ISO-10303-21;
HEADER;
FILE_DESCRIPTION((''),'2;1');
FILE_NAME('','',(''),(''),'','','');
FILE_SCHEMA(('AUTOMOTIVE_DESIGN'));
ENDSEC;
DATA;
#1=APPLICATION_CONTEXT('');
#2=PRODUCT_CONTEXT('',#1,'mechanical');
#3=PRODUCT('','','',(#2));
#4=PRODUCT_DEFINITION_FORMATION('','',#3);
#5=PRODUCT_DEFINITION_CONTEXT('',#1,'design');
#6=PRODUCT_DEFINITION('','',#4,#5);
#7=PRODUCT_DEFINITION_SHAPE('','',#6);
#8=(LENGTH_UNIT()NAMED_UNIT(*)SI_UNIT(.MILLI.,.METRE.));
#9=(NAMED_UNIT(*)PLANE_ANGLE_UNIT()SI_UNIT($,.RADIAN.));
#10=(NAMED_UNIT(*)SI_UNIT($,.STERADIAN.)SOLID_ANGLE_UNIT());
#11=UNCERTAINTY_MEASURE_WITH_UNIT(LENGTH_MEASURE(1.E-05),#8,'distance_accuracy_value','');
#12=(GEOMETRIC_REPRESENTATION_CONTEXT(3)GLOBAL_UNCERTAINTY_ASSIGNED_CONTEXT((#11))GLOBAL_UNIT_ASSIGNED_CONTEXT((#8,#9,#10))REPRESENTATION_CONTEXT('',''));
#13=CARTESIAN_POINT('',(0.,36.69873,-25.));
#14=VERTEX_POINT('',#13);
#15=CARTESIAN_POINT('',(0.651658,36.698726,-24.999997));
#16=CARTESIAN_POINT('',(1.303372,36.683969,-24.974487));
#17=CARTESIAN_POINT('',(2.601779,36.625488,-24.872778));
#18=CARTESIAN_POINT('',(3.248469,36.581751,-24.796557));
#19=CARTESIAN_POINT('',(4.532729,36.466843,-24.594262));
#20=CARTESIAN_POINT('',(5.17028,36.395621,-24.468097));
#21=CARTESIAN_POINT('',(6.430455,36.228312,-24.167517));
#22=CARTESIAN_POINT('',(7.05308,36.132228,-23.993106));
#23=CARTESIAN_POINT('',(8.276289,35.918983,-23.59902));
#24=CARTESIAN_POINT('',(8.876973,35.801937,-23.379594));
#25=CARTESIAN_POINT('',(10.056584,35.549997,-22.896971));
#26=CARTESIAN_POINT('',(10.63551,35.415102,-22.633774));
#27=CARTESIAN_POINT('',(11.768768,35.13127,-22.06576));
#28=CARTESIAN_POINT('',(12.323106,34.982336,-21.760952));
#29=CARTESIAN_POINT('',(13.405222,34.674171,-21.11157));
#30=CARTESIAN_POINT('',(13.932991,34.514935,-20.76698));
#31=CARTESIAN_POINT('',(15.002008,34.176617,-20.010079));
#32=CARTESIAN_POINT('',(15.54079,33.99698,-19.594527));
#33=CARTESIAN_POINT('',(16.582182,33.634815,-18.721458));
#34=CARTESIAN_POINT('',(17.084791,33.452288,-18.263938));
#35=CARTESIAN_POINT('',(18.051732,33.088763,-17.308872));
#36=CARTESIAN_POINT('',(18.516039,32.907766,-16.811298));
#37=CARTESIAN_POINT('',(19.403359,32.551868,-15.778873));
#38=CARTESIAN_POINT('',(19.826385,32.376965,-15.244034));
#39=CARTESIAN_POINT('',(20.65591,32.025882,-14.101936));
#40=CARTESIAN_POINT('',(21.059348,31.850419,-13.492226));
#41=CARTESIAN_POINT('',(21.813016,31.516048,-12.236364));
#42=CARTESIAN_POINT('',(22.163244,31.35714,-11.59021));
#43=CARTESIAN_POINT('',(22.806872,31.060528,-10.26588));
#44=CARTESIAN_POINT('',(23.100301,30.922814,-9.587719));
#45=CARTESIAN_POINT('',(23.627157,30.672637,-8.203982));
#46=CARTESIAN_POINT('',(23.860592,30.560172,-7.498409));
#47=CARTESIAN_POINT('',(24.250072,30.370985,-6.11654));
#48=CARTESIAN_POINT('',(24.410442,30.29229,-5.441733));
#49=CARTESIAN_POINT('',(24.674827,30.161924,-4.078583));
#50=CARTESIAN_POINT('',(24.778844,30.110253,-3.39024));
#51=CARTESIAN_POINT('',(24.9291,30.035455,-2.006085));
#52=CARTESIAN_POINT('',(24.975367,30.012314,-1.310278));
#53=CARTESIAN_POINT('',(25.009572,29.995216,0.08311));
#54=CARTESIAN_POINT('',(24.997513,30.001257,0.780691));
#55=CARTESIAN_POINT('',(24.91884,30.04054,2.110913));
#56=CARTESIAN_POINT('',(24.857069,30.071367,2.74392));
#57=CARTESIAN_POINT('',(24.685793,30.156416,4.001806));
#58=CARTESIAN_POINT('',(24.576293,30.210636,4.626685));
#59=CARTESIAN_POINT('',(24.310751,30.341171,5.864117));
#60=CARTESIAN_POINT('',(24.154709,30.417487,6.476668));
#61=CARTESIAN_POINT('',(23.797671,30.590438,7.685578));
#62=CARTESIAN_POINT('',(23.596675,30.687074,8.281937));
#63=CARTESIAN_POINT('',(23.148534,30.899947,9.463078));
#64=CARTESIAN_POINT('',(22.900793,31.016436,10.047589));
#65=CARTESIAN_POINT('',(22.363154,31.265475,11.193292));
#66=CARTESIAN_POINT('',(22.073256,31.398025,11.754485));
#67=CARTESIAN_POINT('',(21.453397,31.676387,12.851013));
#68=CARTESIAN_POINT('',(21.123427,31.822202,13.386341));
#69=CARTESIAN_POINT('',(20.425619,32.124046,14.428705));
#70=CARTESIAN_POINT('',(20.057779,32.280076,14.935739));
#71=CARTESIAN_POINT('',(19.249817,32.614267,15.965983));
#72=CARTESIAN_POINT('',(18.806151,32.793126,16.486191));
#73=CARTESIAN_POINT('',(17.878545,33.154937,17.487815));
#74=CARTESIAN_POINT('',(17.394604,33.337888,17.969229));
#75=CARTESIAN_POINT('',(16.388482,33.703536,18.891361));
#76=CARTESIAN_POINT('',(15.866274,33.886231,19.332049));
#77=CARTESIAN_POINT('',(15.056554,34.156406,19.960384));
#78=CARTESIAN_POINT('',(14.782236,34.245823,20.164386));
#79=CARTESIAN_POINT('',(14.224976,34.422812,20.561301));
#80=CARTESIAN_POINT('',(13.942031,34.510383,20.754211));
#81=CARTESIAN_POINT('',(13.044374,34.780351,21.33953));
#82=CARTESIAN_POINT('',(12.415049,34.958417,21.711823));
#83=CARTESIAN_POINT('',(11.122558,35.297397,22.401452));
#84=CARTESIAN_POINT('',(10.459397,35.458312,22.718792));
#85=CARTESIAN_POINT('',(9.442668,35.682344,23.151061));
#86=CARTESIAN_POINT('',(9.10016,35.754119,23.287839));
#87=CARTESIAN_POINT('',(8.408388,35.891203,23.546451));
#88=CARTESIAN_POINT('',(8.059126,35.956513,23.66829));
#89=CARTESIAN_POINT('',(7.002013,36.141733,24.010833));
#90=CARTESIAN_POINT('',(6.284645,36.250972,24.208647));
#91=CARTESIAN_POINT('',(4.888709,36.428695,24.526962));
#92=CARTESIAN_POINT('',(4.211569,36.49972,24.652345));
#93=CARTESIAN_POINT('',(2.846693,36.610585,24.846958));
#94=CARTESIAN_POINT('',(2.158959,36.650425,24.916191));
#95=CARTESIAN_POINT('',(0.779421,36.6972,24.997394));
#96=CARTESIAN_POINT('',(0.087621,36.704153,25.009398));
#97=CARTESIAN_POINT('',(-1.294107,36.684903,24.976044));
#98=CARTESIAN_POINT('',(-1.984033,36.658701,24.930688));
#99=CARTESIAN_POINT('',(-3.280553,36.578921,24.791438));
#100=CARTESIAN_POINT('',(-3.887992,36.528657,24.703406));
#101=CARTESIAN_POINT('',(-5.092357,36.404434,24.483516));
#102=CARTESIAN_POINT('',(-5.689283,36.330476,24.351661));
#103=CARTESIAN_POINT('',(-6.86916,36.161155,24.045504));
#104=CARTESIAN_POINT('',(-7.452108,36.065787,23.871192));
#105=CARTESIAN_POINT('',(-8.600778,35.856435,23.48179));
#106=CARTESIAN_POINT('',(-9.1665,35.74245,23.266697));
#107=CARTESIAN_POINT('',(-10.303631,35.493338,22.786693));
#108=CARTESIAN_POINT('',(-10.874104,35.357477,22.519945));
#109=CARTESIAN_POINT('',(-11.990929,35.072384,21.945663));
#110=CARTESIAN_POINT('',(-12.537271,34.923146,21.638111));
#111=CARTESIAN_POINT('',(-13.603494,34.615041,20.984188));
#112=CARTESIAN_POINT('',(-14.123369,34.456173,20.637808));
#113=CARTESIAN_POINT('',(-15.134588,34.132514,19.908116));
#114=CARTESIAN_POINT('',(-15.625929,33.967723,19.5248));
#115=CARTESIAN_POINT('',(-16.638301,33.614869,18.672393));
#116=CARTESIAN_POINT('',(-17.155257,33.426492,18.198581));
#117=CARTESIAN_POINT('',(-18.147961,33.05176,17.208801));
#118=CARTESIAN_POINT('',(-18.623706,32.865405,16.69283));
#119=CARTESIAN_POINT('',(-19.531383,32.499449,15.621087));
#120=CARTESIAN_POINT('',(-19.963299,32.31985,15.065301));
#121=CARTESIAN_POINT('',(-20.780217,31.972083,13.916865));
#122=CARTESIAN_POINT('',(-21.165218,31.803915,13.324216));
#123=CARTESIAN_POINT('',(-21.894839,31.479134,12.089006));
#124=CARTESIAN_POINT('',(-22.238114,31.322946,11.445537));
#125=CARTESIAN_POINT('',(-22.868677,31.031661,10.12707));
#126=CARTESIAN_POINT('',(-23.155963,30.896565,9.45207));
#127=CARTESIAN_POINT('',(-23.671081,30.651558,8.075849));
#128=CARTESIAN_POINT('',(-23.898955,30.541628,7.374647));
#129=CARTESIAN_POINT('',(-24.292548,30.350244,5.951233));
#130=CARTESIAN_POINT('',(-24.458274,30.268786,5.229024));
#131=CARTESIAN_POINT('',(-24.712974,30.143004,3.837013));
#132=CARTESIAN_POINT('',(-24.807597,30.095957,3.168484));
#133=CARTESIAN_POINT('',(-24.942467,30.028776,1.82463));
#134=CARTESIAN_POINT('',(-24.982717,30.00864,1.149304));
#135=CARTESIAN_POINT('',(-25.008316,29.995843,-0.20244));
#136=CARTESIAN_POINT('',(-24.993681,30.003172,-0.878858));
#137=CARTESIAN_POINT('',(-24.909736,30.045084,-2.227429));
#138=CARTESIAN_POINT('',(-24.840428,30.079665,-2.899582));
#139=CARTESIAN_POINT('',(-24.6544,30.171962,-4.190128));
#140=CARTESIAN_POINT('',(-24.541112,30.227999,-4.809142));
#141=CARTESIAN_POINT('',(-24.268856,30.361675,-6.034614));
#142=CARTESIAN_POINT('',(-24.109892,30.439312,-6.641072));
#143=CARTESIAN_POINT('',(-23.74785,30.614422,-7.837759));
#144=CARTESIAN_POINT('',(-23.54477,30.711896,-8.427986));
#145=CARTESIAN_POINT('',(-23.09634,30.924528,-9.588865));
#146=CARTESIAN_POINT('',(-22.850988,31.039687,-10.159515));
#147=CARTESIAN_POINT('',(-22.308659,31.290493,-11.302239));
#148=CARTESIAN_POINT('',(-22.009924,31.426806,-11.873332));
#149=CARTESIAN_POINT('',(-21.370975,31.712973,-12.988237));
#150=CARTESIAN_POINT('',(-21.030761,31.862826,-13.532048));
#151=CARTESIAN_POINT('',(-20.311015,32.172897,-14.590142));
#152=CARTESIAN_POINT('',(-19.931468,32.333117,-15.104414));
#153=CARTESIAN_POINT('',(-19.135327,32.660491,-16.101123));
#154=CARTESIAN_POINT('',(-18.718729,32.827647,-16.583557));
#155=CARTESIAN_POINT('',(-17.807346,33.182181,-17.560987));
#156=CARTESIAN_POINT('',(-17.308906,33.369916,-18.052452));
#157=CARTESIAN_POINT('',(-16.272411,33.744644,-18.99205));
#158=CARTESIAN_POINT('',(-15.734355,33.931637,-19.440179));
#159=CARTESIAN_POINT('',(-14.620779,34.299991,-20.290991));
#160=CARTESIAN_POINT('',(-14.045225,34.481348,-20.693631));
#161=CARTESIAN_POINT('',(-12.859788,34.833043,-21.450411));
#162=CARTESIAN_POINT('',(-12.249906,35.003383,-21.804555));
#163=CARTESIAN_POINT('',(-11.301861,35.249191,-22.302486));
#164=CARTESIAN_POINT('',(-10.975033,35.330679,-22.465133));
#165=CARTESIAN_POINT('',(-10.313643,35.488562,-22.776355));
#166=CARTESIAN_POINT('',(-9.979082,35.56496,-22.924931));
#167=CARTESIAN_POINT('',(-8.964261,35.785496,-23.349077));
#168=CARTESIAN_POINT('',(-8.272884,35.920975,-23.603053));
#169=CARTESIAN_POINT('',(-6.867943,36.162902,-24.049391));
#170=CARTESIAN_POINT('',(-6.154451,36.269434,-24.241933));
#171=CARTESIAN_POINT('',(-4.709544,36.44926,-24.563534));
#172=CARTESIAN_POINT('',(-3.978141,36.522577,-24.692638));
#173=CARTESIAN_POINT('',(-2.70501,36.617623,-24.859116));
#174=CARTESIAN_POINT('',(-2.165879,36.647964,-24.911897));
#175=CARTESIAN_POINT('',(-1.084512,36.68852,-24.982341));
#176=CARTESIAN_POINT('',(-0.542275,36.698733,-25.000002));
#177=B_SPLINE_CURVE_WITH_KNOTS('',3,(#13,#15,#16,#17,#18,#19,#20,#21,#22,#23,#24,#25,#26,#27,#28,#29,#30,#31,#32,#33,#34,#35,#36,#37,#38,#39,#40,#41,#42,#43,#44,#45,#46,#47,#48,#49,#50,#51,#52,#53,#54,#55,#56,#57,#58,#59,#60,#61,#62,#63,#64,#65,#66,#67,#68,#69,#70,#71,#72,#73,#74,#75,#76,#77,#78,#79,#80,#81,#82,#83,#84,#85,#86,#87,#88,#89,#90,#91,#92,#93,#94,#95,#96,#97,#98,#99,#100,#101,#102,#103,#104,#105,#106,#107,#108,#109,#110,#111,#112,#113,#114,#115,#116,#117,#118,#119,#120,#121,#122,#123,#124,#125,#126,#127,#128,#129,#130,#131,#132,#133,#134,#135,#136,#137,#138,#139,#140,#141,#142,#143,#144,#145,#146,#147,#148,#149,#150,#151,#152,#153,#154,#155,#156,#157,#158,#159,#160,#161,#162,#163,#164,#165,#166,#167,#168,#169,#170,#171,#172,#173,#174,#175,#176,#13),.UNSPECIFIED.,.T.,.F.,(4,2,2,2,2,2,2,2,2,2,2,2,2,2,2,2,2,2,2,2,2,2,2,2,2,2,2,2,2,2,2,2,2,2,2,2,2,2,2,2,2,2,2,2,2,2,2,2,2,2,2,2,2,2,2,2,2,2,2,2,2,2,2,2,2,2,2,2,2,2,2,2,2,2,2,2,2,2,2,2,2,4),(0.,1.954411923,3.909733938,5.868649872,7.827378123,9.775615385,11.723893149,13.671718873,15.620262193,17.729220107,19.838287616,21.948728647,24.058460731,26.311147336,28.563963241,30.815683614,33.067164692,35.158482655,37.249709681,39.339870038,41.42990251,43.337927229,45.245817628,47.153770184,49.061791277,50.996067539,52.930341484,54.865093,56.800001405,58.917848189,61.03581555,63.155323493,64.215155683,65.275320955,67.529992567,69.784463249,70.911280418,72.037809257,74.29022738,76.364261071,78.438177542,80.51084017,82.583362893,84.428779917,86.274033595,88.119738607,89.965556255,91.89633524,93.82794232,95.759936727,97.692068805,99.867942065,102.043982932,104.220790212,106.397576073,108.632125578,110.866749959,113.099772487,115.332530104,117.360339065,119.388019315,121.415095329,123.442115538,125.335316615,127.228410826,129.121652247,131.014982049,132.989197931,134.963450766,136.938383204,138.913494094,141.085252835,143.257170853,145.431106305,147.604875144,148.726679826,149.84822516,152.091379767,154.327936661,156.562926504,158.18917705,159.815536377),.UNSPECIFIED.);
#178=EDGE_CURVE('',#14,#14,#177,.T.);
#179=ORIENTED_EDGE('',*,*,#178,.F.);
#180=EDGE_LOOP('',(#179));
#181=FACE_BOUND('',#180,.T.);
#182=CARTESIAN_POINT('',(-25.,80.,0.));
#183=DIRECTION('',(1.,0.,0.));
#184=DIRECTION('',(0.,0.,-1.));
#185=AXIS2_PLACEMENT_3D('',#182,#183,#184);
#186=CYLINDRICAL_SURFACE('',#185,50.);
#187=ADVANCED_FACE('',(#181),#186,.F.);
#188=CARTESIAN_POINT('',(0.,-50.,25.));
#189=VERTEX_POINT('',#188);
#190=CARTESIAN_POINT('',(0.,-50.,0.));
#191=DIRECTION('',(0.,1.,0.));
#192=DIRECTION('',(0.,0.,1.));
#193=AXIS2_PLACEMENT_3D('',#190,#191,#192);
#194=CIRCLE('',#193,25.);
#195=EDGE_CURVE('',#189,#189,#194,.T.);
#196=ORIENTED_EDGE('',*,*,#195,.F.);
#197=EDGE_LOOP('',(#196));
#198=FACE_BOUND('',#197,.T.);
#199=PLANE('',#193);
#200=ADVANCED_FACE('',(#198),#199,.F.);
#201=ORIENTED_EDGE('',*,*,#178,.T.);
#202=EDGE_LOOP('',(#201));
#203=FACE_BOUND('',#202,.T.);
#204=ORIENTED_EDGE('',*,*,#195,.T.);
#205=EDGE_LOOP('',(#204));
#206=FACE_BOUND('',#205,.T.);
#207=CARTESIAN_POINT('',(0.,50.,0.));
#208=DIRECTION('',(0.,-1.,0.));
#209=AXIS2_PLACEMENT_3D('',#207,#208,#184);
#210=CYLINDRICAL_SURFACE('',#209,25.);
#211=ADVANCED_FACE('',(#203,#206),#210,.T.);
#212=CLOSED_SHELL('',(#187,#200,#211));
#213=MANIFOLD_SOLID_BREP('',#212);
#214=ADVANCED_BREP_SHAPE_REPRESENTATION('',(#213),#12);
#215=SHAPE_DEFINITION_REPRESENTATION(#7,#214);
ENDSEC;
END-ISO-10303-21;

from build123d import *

# Parameters (mm, degrees)
CROQUIS2_R                 = 25
SALIENTE_EXTRUIR2_DEPTH    = 50
CORTAR_EXTRUIR1_DEPTH      = 62.23724357
CORTAR_EXTRUIR1_DEPTH_BACK = 62.23724357
CROQUIS3_R                 = 50


with BuildPart() as part:
    # Croquis2 → Saliente-Extruir2 (new, symmetric)
    with BuildSketch(Plane(origin=(0, 0, 0), x_dir=(1, 0, 0), z_dir=(0, 1, 0))):
        with Locations(Location((0, 0, 0), (0, 0, 270))):
            Circle(CROQUIS2_R)
    extrude(amount=SALIENTE_EXTRUIR2_DEPTH, both=True)

    # Croquis3 → Cortar-Extruir1 (cut, two sides: drawn at the far end of the back side and taken through both)
    with BuildSketch(Plane(origin=(0, 0, 0), x_dir=(0, 0, -1), z_dir=(1, 0, 0)).offset(-CORTAR_EXTRUIR1_DEPTH_BACK)):
        with Locations((0, 80)):
            Circle(CROQUIS3_R)
    extrude(amount=CORTAR_EXTRUIR1_DEPTH + CORTAR_EXTRUIR1_DEPTH_BACK, mode=Mode.SUBTRACT)


solid = part.part
